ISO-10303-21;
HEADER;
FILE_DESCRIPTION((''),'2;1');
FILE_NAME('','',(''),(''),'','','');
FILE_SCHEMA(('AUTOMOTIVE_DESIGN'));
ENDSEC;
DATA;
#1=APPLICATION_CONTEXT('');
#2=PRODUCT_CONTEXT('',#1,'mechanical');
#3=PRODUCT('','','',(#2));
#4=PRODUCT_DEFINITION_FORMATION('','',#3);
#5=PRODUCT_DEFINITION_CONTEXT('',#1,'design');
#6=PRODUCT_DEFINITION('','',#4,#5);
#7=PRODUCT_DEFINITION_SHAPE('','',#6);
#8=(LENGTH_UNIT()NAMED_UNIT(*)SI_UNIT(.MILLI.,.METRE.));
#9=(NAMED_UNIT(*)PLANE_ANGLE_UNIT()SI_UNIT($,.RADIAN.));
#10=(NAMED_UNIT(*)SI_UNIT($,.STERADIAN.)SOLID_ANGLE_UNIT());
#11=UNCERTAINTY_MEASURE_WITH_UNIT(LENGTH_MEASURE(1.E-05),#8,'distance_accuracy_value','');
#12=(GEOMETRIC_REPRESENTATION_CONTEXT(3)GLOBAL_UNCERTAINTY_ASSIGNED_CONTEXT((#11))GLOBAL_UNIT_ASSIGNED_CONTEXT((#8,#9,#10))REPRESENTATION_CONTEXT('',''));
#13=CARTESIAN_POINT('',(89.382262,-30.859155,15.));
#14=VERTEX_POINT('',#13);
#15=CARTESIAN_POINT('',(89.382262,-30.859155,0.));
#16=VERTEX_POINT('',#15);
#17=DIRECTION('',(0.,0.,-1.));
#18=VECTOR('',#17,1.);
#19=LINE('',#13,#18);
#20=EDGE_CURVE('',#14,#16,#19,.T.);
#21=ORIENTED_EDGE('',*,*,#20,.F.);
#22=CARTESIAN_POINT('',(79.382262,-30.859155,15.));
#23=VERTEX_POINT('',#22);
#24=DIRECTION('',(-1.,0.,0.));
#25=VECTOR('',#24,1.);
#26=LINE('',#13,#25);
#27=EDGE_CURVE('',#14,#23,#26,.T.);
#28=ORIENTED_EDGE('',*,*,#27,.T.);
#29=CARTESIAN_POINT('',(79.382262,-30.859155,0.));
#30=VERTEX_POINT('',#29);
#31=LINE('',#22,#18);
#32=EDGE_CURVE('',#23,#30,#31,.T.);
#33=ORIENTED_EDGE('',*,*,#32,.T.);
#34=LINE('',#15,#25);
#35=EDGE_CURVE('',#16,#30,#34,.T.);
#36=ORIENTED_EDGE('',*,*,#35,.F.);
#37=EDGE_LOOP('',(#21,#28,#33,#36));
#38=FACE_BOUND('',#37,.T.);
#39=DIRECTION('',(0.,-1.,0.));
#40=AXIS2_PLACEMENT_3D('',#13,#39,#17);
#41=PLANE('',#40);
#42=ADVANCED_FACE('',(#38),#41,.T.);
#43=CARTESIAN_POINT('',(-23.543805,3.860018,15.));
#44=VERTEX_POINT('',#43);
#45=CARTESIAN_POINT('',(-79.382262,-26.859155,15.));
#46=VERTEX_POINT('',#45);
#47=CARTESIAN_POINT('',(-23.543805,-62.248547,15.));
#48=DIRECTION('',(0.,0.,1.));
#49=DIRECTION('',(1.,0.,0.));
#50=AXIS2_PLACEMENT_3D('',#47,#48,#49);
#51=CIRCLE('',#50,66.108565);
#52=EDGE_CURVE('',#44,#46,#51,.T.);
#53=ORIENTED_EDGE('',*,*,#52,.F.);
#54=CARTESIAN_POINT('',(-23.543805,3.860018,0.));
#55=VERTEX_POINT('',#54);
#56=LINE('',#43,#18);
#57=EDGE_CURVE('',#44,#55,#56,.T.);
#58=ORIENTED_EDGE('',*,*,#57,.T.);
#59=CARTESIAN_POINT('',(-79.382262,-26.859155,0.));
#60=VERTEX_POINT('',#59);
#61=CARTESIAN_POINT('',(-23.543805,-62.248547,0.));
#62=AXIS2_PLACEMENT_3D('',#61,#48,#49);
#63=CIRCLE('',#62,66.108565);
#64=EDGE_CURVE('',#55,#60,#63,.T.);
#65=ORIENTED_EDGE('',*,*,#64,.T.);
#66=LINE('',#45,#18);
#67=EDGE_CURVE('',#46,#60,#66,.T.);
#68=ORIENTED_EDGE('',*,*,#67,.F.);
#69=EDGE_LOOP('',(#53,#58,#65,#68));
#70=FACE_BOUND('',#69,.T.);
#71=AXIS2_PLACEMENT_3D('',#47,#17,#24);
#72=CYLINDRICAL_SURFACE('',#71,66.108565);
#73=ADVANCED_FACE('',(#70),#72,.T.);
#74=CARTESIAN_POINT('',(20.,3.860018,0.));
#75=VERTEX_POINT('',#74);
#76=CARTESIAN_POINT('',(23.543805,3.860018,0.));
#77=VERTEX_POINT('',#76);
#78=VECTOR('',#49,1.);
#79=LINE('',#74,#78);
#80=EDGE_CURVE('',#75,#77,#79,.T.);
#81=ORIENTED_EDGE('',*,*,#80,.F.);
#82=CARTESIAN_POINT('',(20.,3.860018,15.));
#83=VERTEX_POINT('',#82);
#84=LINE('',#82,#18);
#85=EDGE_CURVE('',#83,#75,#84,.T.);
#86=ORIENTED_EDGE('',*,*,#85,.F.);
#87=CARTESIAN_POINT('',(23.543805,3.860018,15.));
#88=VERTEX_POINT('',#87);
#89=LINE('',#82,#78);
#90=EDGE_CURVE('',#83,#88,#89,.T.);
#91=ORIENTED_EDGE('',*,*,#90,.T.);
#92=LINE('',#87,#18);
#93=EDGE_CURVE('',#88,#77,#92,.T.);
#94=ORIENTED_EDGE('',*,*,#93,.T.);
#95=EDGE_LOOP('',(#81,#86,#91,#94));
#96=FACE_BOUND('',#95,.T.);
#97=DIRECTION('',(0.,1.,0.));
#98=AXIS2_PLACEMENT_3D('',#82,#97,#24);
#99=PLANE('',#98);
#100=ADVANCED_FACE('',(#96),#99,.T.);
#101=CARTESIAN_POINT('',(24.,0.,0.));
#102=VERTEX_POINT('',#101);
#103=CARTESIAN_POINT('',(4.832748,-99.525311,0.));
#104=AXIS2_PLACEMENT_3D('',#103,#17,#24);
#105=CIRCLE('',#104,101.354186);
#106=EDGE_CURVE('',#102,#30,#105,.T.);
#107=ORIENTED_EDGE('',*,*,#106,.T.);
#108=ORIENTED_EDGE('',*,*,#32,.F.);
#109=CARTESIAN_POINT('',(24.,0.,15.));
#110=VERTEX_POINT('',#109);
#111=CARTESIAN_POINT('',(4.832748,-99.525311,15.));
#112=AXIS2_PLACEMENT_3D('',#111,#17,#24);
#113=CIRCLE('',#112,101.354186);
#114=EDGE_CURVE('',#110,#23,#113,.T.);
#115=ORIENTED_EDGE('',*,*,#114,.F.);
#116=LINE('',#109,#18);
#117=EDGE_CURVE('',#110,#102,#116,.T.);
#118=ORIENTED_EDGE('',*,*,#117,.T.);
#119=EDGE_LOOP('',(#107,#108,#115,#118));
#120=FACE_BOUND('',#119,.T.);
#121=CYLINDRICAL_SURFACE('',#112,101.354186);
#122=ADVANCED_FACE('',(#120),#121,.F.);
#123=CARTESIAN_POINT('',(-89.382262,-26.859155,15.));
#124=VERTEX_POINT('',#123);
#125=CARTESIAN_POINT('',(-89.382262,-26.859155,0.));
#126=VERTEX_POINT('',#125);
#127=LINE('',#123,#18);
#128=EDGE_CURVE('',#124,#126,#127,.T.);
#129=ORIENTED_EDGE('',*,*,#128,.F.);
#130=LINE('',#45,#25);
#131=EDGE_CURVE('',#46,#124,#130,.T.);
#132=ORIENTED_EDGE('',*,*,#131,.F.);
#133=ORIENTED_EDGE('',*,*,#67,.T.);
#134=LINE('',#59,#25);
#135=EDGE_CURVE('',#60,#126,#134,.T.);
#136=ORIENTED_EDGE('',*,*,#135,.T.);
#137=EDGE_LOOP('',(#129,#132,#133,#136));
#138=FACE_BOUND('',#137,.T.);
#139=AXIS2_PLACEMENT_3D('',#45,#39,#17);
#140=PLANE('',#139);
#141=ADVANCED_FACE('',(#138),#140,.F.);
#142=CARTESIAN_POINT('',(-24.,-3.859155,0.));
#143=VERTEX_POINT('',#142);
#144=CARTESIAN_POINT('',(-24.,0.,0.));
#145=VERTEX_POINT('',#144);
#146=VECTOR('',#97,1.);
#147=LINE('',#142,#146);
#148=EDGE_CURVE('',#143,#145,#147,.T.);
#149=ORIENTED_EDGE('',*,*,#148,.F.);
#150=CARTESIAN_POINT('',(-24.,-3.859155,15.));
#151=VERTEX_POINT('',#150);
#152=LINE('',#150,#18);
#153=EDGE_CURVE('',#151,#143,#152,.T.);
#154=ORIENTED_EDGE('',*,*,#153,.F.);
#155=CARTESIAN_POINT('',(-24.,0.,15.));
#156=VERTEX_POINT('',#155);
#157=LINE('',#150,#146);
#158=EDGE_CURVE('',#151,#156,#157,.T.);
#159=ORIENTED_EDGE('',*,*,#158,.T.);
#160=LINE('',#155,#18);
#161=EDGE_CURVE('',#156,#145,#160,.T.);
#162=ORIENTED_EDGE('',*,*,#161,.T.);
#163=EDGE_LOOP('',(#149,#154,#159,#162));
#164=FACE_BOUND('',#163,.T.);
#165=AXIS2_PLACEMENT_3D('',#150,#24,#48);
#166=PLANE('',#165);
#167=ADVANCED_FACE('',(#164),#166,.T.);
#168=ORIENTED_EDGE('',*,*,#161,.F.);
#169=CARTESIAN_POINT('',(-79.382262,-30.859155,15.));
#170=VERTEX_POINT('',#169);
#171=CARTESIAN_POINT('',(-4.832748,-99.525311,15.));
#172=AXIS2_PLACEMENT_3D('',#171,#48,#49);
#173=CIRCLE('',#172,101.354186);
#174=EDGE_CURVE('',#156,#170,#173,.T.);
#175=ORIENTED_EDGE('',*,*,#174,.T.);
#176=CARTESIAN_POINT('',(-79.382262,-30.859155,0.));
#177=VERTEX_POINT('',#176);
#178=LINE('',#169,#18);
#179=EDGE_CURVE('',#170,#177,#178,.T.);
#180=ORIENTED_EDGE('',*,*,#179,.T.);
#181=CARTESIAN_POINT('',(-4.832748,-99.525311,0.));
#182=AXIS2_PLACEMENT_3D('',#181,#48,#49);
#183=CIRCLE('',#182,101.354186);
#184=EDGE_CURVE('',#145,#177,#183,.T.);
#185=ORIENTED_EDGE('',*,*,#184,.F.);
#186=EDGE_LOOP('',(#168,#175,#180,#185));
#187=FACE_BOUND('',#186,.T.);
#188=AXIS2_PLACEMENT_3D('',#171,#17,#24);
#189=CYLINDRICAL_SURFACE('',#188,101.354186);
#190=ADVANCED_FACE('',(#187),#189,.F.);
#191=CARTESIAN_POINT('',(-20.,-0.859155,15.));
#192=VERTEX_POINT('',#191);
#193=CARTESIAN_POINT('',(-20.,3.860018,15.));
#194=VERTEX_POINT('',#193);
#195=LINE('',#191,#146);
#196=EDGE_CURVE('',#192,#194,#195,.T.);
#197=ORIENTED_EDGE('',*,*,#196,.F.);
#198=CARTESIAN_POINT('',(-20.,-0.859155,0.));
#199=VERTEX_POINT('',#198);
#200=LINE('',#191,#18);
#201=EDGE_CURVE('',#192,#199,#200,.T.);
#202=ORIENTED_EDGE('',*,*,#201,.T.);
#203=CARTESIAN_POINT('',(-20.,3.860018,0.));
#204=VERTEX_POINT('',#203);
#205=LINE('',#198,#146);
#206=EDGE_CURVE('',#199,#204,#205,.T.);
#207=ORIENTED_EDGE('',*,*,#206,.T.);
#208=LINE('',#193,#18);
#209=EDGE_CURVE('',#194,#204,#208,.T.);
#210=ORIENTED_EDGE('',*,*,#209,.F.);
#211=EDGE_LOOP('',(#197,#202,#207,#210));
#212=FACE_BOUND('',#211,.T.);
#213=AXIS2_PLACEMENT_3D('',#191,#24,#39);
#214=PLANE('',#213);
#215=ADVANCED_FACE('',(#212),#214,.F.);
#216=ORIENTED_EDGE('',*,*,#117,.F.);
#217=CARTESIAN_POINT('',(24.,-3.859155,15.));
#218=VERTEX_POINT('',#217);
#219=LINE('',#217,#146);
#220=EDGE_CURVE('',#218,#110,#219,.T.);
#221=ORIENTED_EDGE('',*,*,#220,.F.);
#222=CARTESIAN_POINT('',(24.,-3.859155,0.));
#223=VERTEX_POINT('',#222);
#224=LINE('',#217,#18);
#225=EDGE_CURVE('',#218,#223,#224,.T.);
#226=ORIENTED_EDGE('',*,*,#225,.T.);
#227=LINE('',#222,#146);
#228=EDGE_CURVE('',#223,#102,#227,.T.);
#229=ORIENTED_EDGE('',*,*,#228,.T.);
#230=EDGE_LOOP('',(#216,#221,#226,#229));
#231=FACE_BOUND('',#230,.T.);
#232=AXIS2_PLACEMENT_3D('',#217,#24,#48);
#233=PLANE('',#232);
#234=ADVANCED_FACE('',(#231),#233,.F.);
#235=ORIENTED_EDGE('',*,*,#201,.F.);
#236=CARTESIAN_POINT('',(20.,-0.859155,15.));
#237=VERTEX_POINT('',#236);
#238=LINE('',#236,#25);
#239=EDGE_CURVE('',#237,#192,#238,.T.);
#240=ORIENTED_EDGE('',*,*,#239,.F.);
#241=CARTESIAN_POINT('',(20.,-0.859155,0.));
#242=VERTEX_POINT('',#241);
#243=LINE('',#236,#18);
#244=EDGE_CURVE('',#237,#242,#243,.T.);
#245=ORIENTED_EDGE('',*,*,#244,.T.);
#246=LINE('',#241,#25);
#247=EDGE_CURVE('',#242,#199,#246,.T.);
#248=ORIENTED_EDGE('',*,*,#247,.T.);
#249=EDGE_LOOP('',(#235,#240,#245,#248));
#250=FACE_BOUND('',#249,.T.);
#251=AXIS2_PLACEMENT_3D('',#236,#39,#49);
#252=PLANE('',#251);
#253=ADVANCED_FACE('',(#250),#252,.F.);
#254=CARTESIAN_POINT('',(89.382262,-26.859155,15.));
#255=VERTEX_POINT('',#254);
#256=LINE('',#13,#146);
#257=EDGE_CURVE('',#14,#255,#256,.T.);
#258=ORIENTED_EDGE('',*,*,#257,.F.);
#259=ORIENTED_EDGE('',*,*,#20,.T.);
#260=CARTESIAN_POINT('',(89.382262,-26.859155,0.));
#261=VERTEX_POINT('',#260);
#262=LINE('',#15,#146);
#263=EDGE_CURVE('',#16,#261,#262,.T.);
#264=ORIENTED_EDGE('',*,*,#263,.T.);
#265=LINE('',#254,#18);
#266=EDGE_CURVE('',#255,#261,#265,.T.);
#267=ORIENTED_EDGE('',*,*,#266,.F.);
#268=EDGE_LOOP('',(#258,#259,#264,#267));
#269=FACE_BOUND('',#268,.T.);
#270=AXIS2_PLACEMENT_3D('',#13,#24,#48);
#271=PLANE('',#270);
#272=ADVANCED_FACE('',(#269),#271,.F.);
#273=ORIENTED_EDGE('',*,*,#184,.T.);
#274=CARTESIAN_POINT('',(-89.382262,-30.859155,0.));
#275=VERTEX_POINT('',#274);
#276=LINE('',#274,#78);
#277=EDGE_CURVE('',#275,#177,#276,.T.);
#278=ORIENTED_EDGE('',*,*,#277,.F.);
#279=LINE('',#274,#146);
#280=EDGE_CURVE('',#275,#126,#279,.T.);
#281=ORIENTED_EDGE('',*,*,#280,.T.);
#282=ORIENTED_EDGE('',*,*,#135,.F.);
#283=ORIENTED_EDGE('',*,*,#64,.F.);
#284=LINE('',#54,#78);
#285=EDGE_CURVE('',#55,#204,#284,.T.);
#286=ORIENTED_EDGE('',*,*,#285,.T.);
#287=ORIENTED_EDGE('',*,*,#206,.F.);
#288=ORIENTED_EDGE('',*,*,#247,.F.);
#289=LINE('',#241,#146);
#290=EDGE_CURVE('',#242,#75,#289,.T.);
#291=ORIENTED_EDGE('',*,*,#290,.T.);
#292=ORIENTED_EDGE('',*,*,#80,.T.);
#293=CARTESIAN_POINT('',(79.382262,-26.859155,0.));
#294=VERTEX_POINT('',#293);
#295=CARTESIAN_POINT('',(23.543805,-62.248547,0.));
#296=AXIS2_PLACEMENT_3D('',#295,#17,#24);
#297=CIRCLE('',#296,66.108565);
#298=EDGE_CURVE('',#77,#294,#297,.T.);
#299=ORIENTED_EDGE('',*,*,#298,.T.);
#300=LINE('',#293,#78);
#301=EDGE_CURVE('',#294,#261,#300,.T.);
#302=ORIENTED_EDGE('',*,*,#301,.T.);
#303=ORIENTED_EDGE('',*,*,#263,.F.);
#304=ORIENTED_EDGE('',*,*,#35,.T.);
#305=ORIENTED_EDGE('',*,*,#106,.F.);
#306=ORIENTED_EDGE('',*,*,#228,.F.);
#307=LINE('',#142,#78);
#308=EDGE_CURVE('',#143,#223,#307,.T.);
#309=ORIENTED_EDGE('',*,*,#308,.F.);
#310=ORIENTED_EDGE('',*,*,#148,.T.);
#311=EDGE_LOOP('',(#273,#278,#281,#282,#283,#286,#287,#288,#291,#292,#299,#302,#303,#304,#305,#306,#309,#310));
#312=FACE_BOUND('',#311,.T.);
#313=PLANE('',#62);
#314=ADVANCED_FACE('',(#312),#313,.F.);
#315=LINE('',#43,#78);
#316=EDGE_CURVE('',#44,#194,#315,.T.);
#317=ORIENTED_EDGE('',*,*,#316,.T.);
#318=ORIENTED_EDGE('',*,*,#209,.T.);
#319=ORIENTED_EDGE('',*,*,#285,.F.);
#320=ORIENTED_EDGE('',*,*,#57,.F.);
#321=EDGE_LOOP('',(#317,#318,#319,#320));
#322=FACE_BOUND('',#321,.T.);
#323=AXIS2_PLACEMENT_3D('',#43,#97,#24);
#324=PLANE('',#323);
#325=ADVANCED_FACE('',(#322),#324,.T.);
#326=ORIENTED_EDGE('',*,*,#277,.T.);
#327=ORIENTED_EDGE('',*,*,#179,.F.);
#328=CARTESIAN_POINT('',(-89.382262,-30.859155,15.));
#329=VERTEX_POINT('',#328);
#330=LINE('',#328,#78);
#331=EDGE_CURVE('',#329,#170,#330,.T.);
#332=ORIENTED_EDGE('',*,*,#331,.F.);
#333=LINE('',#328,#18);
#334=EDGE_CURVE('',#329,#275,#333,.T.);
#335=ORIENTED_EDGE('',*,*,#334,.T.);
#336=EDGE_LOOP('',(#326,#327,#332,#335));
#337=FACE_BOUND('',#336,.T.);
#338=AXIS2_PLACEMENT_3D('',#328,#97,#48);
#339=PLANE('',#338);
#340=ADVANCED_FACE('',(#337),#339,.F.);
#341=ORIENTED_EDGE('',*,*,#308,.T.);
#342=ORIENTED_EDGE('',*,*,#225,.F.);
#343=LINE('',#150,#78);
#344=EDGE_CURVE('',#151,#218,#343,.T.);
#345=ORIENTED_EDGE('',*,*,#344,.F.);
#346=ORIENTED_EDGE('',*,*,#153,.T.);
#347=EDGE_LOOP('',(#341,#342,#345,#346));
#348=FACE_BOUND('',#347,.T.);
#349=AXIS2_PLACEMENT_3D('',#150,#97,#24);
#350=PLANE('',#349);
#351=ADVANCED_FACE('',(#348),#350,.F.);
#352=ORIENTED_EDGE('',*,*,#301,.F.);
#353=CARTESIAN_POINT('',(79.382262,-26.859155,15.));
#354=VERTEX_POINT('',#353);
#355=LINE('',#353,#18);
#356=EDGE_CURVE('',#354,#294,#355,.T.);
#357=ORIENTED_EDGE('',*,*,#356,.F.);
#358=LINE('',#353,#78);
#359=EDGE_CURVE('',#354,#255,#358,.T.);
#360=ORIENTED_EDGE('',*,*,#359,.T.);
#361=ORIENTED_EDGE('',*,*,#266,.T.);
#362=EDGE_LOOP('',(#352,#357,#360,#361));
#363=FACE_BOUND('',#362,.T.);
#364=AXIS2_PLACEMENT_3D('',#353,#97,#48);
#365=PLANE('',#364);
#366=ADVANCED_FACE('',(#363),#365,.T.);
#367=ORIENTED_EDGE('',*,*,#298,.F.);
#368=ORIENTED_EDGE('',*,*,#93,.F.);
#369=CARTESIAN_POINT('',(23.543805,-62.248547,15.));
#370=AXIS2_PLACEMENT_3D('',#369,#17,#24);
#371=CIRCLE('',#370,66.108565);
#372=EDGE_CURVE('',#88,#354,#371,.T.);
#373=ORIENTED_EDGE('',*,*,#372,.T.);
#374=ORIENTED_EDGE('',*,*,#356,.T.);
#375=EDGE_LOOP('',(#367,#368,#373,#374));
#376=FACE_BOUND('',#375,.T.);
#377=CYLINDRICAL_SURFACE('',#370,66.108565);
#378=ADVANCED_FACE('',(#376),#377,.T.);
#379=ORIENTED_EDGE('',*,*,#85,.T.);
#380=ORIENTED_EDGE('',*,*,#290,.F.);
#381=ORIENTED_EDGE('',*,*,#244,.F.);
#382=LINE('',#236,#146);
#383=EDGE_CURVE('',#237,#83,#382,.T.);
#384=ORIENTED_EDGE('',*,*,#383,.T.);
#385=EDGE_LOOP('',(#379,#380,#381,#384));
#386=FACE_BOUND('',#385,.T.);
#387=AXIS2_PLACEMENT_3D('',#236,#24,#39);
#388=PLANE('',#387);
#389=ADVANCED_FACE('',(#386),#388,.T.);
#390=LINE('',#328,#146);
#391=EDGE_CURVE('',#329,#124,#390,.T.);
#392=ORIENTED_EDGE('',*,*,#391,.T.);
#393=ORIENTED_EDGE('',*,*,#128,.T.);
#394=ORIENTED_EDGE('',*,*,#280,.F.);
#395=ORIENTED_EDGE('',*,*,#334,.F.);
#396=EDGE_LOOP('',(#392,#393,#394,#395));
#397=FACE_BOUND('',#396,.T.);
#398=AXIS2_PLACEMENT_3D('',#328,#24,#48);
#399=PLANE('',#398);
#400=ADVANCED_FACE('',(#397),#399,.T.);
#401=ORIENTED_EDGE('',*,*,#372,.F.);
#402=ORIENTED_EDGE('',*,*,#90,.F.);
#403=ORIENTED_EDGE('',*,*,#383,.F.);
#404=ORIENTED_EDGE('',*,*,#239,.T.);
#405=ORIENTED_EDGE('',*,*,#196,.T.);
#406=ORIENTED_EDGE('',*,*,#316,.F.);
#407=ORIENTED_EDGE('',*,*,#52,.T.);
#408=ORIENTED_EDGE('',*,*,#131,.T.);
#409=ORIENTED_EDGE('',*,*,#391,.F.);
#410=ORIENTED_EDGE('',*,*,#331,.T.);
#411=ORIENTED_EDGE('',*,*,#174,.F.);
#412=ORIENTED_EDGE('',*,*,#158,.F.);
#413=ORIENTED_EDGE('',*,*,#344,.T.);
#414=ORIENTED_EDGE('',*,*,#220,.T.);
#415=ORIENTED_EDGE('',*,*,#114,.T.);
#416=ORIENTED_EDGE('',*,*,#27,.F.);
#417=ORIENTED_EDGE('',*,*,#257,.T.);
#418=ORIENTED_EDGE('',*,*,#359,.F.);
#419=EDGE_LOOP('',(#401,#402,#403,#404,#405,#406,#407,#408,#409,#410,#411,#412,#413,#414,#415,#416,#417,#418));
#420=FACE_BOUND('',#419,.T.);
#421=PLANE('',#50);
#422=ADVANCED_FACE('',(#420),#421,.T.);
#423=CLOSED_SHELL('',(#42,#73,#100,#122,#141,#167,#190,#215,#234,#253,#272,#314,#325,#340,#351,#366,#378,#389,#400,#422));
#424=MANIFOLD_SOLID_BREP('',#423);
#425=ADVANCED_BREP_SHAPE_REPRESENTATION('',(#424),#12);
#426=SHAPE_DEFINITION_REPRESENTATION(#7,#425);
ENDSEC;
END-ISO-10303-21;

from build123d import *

# Parameters (mm, degrees)
EXTRUDE_2_DEPTH = 15


with BuildPart() as part:
    # 草圖1 → 填料-伸長2 (new body)
    with BuildSketch(Plane.XY):
        with BuildLine():
            Line((20, -0.85915493), (20, 3.860018002))
            Line((20, 3.860018002), (23.543805166, 3.860018002))
            ThreePointArc((23.543805166, 3.860018002), (55.409150332, -4.326684577), (79.382262386, -26.85915493))
            Line((79.382262386, -26.85915493), (89.382262386, -26.85915493))
            Line((89.382262386, -26.85915493), (89.382262386, -30.85915493))
            Line((89.382262386, -30.85915493), (79.382262386, -30.85915493))
            ThreePointArc((79.382262386, -30.85915493), (54.166103207, -10.987798363), (24, 0))
            Line((24, 0), (24, -3.85915493))
            Line((24, -3.85915493), (-24, -3.85915493))
            Line((-24, -3.85915493), (-24, 0))
            ThreePointArc((-24, 0), (-54.166103207, -10.987798363), (-79.382262386, -30.85915493))
            Line((-79.382262386, -30.85915493), (-89.382262386, -30.85915493))
            Line((-89.382262386, -30.85915493), (-89.382262386, -26.85915493))
            Line((-89.382262386, -26.85915493), (-79.382262386, -26.85915493))
            ThreePointArc((-79.382262386, -26.85915493), (-55.409150332, -4.326684577), (-23.543805166, 3.860018002))
            Line((-23.543805166, 3.860018002), (-20, 3.860018002))
            Line((-20, 3.860018002), (-20, -0.85915493))
            Line((-20, -0.85915493), (20, -0.85915493))
        make_face()
    extrude(amount=EXTRUDE_2_DEPTH)


solid = part.part
